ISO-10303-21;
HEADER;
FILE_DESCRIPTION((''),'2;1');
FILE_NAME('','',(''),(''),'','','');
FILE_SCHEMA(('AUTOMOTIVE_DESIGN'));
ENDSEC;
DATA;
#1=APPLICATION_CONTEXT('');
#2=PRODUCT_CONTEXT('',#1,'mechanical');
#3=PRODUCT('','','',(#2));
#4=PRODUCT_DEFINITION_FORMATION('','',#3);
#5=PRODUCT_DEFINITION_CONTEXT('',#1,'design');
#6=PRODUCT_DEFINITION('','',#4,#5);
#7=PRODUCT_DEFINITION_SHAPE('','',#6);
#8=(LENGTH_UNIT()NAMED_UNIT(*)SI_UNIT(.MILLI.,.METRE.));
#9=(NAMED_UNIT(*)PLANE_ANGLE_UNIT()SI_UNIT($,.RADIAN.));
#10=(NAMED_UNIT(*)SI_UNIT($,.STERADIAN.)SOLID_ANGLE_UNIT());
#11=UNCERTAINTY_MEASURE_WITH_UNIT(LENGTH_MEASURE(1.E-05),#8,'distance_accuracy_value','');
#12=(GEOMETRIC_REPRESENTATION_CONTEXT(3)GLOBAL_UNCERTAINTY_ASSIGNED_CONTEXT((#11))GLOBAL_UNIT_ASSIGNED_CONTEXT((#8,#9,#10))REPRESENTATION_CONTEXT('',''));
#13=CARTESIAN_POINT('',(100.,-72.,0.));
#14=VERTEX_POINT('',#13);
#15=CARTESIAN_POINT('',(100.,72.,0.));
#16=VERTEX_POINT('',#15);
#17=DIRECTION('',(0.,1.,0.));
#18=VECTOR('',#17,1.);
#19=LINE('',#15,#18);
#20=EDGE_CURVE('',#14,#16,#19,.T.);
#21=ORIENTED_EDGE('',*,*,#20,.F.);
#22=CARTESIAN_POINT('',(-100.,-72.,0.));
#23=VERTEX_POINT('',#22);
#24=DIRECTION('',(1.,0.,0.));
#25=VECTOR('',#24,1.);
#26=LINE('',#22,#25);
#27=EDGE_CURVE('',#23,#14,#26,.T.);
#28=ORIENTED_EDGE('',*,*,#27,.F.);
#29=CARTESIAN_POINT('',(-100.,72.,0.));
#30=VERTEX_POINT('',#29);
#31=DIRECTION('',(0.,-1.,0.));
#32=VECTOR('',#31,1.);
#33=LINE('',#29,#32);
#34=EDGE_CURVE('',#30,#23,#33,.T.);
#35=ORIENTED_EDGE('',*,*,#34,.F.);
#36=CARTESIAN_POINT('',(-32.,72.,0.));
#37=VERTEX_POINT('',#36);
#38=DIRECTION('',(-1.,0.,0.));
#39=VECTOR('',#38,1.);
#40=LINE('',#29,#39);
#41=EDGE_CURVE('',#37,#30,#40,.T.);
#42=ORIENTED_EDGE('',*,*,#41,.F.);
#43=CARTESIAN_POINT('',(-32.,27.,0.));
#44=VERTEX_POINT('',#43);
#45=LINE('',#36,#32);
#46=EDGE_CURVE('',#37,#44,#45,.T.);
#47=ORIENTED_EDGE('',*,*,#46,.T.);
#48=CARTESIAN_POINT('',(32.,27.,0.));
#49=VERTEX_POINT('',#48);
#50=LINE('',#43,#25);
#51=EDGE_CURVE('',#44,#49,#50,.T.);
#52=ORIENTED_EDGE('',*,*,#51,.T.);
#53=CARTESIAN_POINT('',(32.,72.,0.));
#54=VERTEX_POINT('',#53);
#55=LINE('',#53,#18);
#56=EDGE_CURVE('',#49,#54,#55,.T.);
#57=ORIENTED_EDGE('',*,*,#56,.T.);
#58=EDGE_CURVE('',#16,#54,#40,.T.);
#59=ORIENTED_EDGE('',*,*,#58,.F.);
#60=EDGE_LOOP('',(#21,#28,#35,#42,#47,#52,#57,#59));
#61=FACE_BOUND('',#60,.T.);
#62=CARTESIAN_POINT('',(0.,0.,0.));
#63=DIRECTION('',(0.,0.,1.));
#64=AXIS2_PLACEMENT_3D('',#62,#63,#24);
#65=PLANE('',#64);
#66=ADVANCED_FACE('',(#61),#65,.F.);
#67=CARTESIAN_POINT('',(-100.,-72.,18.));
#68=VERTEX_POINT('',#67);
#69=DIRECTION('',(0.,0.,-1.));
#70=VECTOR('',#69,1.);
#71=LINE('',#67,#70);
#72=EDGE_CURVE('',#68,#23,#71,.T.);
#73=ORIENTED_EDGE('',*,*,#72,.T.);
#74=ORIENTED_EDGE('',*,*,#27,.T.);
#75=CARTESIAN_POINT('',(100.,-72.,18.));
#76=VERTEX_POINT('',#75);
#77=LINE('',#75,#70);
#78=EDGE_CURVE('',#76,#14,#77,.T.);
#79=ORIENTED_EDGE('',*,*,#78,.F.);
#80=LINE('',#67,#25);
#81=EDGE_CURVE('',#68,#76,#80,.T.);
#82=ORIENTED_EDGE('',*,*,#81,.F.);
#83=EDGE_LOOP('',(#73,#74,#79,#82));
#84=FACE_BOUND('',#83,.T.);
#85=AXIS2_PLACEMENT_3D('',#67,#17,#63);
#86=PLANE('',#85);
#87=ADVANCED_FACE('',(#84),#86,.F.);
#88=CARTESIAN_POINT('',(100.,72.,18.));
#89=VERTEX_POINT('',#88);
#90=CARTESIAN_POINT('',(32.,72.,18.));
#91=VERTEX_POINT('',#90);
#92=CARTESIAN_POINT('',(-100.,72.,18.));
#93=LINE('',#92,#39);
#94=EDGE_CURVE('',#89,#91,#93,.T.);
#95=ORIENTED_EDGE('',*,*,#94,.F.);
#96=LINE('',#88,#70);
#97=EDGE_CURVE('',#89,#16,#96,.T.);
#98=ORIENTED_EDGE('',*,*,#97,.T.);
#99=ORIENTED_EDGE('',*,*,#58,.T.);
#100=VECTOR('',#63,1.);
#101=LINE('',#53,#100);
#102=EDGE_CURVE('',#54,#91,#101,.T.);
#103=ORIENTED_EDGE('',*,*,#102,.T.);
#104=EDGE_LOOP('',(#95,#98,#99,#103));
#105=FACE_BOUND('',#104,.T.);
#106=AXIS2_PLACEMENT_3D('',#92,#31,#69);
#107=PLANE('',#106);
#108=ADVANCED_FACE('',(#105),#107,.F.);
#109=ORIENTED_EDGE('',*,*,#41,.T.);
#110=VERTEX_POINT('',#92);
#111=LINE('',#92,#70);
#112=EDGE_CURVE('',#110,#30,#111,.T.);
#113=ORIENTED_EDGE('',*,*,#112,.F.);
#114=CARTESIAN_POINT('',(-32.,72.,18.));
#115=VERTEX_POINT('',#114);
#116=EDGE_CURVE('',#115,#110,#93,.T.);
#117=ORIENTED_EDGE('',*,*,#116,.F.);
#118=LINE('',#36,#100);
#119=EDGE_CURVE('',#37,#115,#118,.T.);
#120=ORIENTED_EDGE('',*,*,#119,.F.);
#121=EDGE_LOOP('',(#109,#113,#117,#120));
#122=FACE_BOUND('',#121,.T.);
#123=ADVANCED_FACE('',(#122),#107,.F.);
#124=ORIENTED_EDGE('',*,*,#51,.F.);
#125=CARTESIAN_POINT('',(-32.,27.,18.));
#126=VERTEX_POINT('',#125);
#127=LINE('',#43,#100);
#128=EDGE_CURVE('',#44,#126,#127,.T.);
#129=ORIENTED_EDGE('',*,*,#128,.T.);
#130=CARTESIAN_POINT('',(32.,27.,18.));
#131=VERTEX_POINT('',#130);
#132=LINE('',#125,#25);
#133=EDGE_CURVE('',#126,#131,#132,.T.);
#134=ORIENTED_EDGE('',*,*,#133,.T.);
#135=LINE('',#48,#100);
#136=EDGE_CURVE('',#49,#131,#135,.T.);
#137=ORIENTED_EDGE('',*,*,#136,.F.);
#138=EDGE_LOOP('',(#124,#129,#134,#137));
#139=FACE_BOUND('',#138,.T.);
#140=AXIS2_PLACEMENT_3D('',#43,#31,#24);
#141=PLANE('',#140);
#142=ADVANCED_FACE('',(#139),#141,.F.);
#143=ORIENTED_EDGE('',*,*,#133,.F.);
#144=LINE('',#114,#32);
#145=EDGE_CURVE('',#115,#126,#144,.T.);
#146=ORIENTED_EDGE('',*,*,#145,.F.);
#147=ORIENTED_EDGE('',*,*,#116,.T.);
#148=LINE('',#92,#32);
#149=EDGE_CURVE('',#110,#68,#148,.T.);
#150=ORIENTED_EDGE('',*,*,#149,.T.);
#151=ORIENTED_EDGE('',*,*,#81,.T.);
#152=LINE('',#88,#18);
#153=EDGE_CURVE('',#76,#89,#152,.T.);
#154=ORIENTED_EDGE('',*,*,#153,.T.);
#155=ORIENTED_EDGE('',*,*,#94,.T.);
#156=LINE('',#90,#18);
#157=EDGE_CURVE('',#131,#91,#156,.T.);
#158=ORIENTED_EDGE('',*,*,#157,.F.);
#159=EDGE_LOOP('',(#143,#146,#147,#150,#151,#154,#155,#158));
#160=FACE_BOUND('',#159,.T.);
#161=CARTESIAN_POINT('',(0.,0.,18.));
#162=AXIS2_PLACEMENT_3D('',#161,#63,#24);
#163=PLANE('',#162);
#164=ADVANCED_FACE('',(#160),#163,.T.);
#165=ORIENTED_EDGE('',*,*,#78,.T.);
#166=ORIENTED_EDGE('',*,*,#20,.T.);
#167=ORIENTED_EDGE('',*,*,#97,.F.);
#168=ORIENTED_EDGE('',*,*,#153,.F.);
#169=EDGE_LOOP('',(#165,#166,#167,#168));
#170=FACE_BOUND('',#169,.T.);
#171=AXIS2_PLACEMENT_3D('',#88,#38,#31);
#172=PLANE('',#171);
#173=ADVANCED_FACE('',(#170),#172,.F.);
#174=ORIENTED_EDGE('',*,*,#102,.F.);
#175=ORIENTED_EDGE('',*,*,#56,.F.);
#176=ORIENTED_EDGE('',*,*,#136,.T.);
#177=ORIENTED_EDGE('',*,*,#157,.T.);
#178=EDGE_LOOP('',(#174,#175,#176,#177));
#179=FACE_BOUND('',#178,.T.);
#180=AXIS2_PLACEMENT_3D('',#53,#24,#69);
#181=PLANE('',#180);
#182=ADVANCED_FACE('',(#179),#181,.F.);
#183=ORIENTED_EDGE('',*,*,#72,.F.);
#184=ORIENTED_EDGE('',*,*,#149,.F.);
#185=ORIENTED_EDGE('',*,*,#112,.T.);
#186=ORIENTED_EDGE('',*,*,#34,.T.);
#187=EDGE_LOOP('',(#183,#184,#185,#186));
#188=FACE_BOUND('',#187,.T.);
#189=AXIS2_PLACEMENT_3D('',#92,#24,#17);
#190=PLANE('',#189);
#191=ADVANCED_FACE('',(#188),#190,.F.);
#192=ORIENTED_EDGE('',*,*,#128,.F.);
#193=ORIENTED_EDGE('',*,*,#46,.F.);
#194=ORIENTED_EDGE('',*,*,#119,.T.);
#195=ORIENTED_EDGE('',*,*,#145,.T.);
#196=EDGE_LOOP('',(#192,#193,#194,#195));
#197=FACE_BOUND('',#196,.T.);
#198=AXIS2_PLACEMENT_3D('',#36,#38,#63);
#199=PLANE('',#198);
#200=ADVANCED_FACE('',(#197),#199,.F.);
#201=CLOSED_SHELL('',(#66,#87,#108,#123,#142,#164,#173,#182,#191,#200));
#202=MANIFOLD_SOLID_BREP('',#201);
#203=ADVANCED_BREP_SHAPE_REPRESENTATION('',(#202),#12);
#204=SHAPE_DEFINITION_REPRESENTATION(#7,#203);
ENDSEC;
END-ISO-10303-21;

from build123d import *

# Parameters (mm, degrees)
SKETCH1_W           = 200
SKETCH1_H           = 144
BOSS_EXTRUDE1_DEPTH = 18
SKETCH2_W           = 64
SKETCH2_H           = 45
CUT_EXTRUDE1_DEPTH  = 18


with BuildPart() as part:
    # Sketch1 → Boss-Extrude1 (new body)
    with BuildSketch(Plane.XY):
        Rectangle(SKETCH1_W, SKETCH1_H)
    extrude(amount=BOSS_EXTRUDE1_DEPTH)

    # Sketch2 → Cut-Extrude1 (cut)
    with BuildSketch(Plane.XY.offset(18)):
        with Locations((0, 49.5)):
            Rectangle(SKETCH2_W, SKETCH2_H)
    extrude(amount=-CUT_EXTRUDE1_DEPTH, mode=Mode.SUBTRACT)


solid = part.part
